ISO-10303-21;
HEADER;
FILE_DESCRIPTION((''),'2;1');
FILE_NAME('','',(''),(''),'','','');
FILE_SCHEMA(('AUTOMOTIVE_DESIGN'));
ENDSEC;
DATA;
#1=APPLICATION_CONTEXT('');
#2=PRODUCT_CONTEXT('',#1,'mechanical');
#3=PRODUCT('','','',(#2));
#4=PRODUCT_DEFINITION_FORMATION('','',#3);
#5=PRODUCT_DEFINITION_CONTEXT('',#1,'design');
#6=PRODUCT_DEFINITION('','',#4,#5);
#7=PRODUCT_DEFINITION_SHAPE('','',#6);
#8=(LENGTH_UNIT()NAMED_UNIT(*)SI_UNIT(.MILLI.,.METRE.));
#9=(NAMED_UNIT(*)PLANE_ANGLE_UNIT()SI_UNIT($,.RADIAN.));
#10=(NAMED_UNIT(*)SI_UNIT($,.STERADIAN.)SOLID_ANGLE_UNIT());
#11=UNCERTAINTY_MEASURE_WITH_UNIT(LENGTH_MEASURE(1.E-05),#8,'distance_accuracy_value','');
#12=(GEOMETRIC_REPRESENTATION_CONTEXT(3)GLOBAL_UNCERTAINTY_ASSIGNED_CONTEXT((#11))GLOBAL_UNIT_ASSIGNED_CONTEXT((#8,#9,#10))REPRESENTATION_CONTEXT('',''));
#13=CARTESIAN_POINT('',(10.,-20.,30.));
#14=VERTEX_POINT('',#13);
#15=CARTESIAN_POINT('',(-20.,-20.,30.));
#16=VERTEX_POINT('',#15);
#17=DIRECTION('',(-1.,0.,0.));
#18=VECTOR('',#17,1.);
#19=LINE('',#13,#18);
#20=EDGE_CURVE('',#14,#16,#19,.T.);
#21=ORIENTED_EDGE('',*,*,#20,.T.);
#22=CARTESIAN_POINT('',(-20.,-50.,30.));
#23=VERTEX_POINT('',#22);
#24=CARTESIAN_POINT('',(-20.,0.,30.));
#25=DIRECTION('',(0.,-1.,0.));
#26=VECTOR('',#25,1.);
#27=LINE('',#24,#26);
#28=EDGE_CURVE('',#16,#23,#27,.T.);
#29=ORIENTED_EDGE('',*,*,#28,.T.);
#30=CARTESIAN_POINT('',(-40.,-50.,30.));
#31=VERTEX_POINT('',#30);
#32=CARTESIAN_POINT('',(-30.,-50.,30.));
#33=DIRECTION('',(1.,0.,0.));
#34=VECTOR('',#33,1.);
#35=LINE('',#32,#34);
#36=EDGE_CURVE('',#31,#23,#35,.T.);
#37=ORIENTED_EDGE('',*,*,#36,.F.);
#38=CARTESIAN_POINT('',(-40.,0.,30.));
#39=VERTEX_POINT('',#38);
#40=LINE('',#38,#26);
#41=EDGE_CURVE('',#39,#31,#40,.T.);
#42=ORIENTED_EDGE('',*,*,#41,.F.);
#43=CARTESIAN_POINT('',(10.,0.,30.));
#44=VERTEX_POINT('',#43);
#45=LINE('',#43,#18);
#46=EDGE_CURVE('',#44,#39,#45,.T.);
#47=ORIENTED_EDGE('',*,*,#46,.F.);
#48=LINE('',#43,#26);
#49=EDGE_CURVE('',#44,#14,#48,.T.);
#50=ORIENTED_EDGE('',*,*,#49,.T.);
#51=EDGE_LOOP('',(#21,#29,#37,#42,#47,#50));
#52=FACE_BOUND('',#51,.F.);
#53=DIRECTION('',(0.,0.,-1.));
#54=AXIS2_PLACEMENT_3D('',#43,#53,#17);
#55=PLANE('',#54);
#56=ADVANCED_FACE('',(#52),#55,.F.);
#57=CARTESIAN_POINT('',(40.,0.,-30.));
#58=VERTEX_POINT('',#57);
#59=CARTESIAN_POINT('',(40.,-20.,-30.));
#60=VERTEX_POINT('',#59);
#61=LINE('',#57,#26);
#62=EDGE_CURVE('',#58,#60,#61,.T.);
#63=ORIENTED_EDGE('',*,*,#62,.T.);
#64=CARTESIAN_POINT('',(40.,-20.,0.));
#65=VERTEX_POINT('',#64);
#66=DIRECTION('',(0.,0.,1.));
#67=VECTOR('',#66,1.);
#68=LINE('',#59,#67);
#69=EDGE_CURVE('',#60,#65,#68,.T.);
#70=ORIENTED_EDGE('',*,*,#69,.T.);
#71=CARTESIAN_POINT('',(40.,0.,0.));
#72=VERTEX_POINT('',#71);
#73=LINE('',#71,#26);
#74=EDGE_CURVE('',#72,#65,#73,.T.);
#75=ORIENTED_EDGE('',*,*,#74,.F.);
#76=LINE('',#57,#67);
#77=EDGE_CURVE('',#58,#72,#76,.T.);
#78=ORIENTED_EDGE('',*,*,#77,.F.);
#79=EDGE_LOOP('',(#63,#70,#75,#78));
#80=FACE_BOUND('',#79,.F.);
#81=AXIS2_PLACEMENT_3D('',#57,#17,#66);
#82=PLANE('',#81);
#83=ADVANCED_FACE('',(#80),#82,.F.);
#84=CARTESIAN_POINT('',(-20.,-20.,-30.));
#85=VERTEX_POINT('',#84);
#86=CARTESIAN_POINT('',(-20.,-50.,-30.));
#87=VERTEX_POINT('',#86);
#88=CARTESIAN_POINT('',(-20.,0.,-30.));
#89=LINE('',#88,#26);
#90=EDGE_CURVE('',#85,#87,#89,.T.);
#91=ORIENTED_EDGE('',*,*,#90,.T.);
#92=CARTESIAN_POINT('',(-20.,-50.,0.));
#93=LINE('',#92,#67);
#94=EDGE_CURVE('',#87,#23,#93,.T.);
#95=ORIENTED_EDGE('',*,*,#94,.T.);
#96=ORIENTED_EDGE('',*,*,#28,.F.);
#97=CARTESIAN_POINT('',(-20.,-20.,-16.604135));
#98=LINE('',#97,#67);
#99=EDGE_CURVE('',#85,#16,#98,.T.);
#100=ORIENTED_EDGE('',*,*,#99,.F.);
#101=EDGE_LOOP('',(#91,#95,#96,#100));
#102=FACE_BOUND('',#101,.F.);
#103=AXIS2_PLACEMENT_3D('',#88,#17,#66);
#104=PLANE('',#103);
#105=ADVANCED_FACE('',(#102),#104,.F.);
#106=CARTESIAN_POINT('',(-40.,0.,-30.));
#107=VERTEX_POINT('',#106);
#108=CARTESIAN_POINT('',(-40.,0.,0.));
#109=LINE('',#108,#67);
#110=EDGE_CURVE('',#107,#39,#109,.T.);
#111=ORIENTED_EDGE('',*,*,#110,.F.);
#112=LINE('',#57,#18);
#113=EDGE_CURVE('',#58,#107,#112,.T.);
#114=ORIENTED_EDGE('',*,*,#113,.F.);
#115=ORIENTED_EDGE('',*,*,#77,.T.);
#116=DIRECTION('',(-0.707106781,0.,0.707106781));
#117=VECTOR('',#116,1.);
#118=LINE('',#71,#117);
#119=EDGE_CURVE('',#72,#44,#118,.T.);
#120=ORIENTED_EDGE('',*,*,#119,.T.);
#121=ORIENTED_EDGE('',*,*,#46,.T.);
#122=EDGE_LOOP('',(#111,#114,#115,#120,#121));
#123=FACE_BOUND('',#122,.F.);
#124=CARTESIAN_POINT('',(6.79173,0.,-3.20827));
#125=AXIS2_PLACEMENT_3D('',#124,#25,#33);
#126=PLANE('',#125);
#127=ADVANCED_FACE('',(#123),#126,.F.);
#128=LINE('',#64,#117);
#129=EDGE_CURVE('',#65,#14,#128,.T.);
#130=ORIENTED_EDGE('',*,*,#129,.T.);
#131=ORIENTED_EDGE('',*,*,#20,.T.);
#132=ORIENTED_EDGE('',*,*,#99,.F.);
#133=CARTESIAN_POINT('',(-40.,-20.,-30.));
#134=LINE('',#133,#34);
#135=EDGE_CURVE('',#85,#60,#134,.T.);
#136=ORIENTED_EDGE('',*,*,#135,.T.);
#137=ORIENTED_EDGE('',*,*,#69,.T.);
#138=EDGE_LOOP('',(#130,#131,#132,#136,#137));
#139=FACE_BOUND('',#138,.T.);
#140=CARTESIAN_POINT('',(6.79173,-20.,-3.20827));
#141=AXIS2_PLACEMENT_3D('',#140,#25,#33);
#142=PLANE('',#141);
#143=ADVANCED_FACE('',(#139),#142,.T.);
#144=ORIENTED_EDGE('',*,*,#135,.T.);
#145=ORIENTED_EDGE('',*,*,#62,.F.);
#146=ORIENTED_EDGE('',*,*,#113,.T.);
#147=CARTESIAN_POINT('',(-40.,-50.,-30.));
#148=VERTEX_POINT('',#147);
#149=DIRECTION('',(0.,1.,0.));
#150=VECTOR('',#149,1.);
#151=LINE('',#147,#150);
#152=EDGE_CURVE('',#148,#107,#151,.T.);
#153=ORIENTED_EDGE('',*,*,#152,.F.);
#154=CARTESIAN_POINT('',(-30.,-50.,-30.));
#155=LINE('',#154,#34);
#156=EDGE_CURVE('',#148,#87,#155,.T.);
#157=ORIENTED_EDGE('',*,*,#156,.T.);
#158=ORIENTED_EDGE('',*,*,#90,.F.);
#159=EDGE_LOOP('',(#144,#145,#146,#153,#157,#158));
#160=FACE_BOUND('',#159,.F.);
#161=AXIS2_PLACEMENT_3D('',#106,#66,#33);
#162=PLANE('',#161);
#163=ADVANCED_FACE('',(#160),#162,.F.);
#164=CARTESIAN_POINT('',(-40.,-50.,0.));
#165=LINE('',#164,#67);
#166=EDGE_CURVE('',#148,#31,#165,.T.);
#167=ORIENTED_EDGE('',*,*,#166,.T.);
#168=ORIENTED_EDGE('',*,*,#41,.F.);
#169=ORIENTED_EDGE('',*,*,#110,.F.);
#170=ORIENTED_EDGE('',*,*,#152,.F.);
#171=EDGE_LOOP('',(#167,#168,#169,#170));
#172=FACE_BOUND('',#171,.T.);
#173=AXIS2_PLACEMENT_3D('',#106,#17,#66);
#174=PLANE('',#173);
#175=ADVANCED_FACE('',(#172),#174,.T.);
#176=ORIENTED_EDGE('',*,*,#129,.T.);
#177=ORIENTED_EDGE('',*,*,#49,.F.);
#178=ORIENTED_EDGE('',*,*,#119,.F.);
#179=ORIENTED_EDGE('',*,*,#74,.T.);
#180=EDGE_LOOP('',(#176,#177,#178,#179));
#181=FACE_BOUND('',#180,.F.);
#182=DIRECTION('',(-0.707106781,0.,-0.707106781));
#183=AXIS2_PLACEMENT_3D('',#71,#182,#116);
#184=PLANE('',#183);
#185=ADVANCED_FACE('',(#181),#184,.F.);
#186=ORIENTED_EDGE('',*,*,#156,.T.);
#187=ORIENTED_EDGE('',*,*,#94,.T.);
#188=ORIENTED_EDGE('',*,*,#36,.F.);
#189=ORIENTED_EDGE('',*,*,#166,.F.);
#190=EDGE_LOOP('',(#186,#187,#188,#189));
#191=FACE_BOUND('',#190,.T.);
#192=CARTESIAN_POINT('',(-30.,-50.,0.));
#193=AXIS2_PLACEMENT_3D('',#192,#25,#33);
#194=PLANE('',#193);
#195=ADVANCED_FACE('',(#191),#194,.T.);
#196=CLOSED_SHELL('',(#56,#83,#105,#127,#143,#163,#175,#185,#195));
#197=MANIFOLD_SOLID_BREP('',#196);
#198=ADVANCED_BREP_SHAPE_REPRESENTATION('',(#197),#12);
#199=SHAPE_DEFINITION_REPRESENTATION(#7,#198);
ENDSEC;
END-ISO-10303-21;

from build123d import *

# Parameters (mm, degrees)
F0_W     = 20
F0_H     = 60
F1_DEPTH = 50
F2_DEPTH = 20


with BuildPart() as f1:
    # F0 (on Front) → F1 (new body)
    with BuildSketch(Plane.XZ):
        with Locations((-30, 0)):
            Rectangle(F0_W, F0_H)
    extrude(amount=F1_DEPTH)

    # F0 (on Front) → F2 (join)
    with BuildSketch(Plane.XZ):
        Polygon((40, 0), (10, 30), (-20, 30), (-20, -30), (40, -30), align=None)
        with Locations((-30, 0)):
            Rectangle(F0_W, F0_H)
    extrude(amount=F2_DEPTH)


solid = f1.part
